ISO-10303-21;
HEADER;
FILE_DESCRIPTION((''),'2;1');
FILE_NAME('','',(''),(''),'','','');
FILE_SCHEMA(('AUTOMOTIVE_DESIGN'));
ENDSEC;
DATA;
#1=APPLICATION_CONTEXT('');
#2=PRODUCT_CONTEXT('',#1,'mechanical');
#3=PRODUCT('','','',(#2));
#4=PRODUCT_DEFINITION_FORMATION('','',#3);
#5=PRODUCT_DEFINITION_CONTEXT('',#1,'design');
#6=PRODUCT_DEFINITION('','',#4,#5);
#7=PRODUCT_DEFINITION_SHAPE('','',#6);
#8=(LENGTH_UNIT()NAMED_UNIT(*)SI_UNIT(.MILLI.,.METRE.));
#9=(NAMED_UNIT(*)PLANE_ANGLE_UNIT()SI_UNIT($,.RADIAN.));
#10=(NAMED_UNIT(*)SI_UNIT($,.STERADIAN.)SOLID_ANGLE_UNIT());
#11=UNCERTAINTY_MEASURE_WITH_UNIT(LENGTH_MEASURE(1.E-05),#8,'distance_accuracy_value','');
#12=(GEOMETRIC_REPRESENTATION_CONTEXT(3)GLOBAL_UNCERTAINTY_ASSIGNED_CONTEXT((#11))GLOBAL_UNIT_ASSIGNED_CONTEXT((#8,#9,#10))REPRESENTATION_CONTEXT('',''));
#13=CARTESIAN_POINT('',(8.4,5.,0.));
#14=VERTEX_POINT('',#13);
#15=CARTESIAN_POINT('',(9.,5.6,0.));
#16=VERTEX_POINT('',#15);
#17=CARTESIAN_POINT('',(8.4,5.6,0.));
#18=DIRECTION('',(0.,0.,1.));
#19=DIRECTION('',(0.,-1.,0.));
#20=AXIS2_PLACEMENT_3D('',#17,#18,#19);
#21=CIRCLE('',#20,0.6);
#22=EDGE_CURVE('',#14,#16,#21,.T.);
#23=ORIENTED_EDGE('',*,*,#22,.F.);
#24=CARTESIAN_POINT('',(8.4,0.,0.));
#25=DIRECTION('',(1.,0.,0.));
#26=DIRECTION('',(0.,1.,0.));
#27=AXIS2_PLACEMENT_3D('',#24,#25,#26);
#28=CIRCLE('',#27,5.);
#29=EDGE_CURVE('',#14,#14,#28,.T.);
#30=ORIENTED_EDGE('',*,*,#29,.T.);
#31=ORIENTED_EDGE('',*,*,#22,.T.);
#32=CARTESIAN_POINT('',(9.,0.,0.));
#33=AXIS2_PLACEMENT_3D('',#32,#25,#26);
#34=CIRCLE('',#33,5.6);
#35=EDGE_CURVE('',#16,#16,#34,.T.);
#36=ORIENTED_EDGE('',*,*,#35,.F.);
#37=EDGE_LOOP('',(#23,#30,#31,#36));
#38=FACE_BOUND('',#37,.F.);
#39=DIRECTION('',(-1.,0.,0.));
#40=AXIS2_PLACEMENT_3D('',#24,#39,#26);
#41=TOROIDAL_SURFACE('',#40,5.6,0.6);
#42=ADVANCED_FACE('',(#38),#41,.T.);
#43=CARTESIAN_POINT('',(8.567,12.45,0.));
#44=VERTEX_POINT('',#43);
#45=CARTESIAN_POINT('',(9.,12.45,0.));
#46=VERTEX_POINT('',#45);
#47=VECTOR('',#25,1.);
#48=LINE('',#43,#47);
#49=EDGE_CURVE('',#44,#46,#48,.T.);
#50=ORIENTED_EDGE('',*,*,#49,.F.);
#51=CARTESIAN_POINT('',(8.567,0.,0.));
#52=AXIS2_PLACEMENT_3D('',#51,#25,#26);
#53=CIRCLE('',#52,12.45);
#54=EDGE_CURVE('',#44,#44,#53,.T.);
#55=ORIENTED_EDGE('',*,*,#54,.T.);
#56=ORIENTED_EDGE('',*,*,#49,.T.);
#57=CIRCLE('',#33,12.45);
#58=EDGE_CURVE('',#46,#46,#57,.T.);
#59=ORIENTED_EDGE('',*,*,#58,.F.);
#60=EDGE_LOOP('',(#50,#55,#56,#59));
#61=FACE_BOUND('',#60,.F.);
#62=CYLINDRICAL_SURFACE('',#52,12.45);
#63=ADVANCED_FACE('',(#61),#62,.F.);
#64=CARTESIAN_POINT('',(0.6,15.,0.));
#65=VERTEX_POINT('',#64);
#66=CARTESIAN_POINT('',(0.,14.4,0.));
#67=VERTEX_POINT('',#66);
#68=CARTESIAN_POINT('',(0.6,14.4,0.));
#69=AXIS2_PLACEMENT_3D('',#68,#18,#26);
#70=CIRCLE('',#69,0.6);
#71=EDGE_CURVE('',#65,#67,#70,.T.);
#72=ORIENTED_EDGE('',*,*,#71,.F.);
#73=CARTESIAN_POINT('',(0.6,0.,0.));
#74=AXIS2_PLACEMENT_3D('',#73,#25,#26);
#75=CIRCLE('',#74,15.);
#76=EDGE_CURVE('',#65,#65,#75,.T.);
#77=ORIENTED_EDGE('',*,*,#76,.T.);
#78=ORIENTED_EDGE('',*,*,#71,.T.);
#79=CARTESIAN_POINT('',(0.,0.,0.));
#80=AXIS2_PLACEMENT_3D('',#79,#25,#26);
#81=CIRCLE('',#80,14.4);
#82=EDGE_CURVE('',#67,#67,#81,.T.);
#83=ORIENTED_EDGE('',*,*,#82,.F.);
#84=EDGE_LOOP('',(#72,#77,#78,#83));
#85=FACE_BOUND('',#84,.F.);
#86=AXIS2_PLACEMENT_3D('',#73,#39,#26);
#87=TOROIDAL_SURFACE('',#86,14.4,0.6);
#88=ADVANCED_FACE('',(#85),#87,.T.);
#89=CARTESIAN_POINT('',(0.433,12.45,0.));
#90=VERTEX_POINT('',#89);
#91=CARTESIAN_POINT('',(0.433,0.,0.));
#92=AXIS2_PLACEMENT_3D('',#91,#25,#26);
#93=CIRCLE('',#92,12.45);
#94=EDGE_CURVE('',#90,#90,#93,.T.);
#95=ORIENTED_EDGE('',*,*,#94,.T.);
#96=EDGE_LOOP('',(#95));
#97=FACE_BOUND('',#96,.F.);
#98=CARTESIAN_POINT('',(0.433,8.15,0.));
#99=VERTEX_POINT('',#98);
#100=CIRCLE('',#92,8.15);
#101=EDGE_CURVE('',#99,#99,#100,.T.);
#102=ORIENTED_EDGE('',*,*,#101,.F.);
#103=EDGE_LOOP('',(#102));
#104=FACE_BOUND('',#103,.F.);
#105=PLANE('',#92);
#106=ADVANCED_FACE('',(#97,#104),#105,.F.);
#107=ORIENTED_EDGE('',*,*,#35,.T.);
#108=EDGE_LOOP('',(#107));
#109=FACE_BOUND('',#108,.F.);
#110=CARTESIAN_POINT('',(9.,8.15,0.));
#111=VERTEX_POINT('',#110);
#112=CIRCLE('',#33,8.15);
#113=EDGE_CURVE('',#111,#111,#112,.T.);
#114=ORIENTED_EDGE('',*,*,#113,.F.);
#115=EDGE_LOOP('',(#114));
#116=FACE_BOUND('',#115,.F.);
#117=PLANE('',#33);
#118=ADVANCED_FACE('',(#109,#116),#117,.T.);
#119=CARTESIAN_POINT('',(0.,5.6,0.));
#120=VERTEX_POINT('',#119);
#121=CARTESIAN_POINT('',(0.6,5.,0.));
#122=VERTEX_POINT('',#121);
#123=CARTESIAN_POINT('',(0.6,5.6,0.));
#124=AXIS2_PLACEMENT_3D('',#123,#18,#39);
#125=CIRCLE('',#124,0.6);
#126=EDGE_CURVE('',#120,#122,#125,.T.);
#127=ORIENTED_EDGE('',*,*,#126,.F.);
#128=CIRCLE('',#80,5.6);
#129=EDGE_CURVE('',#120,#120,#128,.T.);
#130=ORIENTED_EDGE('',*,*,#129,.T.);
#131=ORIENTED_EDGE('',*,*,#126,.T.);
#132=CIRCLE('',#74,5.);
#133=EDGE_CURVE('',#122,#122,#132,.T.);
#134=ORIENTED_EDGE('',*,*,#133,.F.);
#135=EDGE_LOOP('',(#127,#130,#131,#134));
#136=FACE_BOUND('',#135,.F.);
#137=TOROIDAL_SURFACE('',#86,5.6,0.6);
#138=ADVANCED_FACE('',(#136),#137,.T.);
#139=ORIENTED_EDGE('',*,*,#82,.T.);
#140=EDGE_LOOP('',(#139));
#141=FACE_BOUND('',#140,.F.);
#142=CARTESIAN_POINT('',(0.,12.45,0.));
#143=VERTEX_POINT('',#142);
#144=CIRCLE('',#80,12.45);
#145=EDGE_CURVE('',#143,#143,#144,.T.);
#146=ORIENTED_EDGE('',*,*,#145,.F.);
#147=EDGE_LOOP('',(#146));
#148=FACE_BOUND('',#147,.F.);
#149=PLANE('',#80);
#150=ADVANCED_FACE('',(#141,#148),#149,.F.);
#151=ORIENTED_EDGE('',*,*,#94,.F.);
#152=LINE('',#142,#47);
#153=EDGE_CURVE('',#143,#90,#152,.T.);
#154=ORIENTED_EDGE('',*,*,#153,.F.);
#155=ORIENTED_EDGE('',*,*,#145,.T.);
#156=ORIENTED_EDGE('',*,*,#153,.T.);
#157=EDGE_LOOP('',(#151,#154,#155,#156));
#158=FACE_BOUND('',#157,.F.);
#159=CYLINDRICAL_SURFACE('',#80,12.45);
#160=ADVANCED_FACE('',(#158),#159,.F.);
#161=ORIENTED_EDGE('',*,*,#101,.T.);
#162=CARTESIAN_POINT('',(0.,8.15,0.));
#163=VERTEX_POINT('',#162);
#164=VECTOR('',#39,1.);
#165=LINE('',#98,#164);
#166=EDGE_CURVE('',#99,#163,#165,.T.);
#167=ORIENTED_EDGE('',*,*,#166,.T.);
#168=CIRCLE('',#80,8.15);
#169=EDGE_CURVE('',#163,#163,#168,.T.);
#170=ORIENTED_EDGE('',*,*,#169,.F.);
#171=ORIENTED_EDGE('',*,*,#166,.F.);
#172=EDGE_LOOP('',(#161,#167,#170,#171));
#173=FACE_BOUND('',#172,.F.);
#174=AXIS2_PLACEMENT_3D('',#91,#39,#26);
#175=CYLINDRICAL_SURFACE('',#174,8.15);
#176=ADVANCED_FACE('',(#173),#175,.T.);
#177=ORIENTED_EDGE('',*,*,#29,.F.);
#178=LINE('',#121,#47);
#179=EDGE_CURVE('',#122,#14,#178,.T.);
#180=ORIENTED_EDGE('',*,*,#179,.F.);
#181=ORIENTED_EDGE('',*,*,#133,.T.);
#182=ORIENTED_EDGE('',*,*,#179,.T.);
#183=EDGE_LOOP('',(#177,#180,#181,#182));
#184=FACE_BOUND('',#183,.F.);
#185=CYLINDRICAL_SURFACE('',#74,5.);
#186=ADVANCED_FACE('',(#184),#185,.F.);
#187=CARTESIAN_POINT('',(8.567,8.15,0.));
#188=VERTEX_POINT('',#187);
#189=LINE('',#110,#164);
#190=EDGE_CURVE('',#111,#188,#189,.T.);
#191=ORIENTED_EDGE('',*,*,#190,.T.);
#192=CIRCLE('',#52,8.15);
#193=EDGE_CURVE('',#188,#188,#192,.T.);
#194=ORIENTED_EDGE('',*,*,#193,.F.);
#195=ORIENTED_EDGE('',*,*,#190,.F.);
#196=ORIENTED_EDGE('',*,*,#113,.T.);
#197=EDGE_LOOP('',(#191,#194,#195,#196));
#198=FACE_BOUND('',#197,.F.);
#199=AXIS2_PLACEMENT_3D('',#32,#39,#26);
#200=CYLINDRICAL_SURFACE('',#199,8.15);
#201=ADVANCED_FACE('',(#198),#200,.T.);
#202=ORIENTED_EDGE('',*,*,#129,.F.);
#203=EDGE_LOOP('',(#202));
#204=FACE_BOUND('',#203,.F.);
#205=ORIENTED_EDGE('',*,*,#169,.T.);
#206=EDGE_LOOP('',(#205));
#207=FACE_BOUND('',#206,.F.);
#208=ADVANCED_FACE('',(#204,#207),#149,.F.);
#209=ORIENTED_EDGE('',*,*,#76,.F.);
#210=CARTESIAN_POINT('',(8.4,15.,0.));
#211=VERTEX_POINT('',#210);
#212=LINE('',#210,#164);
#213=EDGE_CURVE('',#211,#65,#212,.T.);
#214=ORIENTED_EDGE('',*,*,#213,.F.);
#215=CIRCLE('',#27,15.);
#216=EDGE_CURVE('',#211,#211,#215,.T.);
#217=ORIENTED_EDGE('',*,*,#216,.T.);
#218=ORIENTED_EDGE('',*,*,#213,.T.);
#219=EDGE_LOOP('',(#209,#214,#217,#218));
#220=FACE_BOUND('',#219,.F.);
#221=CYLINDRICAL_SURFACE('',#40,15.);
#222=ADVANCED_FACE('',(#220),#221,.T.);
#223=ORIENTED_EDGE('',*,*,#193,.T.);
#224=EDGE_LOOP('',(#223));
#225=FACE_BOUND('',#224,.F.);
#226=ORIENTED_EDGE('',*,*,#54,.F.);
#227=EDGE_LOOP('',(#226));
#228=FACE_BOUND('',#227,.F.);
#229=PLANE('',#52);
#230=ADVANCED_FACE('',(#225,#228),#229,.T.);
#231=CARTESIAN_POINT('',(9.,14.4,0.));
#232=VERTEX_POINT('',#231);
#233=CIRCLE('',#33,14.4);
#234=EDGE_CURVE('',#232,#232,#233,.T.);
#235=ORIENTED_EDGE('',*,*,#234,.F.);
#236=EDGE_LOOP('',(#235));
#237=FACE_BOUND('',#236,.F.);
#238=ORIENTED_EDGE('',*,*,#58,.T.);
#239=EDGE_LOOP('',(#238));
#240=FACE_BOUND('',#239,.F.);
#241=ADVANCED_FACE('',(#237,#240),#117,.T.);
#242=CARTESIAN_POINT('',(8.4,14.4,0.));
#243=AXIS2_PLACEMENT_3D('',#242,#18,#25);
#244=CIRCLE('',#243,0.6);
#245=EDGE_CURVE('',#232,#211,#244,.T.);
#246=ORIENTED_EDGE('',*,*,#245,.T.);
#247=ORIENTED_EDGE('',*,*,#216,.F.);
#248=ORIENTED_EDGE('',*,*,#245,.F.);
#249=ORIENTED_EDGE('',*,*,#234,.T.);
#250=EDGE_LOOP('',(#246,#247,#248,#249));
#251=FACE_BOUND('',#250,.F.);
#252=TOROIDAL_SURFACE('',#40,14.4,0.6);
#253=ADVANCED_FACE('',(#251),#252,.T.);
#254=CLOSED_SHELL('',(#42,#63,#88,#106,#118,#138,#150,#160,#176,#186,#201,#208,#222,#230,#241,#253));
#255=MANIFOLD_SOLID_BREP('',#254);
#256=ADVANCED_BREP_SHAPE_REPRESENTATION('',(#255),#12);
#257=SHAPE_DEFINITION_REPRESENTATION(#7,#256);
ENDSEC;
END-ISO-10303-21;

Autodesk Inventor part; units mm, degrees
sketch "Sketch_1" plane through (0, 0, 0) normal (0, 0, 1) x (1, 0, 0)
  line L0 (9, 0) -> (0, 0)
  arc A0 (0, 5.6) -> (0.6, 5) centre (0.6, 5.6) ccw
  line L1 (0.6, 5) -> (8.4, 5)
  arc A1 (8.4, 5) -> (9, 5.6) centre (8.4, 5.6) ccw
  line L2 (9, 5.6) -> (9, 8.15)
  line L3 (9, 8.15) -> (8.567, 8.15)
  line L4 (8.567, 8.15) -> (8.567, 12.45)
  line L5 (8.567, 12.45) -> (9, 12.45)
  line L6 (9, 12.45) -> (9, 14.4)
  arc A2 (9, 14.4) -> (8.4, 15) centre (8.4, 14.4) ccw
  line L7 (8.4, 15) -> (0.6, 15)
  arc A3 (0.6, 15) -> (0, 14.4) centre (0.6, 14.4) ccw
  line L8 (0, 14.4) -> (0, 12.45)
  line L9 (0, 12.45) -> (0.433, 12.45)
  line L10 (0.433, 12.45) -> (0.433, 8.15)
  line L11 (0.433, 8.15) -> (0, 8.15)
  line L12 (0, 8.15) -> (0, 5.6)
revolve "Revolution1" add sketch "Sketch_1" angle 360 about axis through (9, 0, 0) along (1, 0, 0)
ref_plane "center_point_XY" through (4.5, 0, 0) normal (1, 0, 0) x (0, 0, -1)
ref_plane "center_point_YZ" through (4.5, 0, 0) normal (0, 0, -1) x (0, 1, 0)
ref_plane "center_point_ZX" through (4.5, 0, 0) normal (0, 1, 0) x (1, 0, 0)
ref_plane "to_housing_XY" through (0, 0, 0) normal (1, 0, 0) x (0, 0, -1)
ref_plane "to_housing_YZ" through (0, 0, 0) normal (0, 0, -1) x (0, 1, 0)
ref_plane "to_housing_ZX" through (0, 0, 0) normal (0, 1, 0) x (1, 0, 0)
ref_plane "to_ring_XY" through (8.134, 0, 0) normal (1, 0, 0) x (0, 0, -1)
ref_plane "to_ring_YZ" through (8.134, 0, 0) normal (0, 0, -1) x (0, 1, 0)
ref_plane "to_ring_ZX" through (8.134, 0, 0) normal (0, 1, 0) x (1, 0, 0)
properties part number "bearing_6200"
